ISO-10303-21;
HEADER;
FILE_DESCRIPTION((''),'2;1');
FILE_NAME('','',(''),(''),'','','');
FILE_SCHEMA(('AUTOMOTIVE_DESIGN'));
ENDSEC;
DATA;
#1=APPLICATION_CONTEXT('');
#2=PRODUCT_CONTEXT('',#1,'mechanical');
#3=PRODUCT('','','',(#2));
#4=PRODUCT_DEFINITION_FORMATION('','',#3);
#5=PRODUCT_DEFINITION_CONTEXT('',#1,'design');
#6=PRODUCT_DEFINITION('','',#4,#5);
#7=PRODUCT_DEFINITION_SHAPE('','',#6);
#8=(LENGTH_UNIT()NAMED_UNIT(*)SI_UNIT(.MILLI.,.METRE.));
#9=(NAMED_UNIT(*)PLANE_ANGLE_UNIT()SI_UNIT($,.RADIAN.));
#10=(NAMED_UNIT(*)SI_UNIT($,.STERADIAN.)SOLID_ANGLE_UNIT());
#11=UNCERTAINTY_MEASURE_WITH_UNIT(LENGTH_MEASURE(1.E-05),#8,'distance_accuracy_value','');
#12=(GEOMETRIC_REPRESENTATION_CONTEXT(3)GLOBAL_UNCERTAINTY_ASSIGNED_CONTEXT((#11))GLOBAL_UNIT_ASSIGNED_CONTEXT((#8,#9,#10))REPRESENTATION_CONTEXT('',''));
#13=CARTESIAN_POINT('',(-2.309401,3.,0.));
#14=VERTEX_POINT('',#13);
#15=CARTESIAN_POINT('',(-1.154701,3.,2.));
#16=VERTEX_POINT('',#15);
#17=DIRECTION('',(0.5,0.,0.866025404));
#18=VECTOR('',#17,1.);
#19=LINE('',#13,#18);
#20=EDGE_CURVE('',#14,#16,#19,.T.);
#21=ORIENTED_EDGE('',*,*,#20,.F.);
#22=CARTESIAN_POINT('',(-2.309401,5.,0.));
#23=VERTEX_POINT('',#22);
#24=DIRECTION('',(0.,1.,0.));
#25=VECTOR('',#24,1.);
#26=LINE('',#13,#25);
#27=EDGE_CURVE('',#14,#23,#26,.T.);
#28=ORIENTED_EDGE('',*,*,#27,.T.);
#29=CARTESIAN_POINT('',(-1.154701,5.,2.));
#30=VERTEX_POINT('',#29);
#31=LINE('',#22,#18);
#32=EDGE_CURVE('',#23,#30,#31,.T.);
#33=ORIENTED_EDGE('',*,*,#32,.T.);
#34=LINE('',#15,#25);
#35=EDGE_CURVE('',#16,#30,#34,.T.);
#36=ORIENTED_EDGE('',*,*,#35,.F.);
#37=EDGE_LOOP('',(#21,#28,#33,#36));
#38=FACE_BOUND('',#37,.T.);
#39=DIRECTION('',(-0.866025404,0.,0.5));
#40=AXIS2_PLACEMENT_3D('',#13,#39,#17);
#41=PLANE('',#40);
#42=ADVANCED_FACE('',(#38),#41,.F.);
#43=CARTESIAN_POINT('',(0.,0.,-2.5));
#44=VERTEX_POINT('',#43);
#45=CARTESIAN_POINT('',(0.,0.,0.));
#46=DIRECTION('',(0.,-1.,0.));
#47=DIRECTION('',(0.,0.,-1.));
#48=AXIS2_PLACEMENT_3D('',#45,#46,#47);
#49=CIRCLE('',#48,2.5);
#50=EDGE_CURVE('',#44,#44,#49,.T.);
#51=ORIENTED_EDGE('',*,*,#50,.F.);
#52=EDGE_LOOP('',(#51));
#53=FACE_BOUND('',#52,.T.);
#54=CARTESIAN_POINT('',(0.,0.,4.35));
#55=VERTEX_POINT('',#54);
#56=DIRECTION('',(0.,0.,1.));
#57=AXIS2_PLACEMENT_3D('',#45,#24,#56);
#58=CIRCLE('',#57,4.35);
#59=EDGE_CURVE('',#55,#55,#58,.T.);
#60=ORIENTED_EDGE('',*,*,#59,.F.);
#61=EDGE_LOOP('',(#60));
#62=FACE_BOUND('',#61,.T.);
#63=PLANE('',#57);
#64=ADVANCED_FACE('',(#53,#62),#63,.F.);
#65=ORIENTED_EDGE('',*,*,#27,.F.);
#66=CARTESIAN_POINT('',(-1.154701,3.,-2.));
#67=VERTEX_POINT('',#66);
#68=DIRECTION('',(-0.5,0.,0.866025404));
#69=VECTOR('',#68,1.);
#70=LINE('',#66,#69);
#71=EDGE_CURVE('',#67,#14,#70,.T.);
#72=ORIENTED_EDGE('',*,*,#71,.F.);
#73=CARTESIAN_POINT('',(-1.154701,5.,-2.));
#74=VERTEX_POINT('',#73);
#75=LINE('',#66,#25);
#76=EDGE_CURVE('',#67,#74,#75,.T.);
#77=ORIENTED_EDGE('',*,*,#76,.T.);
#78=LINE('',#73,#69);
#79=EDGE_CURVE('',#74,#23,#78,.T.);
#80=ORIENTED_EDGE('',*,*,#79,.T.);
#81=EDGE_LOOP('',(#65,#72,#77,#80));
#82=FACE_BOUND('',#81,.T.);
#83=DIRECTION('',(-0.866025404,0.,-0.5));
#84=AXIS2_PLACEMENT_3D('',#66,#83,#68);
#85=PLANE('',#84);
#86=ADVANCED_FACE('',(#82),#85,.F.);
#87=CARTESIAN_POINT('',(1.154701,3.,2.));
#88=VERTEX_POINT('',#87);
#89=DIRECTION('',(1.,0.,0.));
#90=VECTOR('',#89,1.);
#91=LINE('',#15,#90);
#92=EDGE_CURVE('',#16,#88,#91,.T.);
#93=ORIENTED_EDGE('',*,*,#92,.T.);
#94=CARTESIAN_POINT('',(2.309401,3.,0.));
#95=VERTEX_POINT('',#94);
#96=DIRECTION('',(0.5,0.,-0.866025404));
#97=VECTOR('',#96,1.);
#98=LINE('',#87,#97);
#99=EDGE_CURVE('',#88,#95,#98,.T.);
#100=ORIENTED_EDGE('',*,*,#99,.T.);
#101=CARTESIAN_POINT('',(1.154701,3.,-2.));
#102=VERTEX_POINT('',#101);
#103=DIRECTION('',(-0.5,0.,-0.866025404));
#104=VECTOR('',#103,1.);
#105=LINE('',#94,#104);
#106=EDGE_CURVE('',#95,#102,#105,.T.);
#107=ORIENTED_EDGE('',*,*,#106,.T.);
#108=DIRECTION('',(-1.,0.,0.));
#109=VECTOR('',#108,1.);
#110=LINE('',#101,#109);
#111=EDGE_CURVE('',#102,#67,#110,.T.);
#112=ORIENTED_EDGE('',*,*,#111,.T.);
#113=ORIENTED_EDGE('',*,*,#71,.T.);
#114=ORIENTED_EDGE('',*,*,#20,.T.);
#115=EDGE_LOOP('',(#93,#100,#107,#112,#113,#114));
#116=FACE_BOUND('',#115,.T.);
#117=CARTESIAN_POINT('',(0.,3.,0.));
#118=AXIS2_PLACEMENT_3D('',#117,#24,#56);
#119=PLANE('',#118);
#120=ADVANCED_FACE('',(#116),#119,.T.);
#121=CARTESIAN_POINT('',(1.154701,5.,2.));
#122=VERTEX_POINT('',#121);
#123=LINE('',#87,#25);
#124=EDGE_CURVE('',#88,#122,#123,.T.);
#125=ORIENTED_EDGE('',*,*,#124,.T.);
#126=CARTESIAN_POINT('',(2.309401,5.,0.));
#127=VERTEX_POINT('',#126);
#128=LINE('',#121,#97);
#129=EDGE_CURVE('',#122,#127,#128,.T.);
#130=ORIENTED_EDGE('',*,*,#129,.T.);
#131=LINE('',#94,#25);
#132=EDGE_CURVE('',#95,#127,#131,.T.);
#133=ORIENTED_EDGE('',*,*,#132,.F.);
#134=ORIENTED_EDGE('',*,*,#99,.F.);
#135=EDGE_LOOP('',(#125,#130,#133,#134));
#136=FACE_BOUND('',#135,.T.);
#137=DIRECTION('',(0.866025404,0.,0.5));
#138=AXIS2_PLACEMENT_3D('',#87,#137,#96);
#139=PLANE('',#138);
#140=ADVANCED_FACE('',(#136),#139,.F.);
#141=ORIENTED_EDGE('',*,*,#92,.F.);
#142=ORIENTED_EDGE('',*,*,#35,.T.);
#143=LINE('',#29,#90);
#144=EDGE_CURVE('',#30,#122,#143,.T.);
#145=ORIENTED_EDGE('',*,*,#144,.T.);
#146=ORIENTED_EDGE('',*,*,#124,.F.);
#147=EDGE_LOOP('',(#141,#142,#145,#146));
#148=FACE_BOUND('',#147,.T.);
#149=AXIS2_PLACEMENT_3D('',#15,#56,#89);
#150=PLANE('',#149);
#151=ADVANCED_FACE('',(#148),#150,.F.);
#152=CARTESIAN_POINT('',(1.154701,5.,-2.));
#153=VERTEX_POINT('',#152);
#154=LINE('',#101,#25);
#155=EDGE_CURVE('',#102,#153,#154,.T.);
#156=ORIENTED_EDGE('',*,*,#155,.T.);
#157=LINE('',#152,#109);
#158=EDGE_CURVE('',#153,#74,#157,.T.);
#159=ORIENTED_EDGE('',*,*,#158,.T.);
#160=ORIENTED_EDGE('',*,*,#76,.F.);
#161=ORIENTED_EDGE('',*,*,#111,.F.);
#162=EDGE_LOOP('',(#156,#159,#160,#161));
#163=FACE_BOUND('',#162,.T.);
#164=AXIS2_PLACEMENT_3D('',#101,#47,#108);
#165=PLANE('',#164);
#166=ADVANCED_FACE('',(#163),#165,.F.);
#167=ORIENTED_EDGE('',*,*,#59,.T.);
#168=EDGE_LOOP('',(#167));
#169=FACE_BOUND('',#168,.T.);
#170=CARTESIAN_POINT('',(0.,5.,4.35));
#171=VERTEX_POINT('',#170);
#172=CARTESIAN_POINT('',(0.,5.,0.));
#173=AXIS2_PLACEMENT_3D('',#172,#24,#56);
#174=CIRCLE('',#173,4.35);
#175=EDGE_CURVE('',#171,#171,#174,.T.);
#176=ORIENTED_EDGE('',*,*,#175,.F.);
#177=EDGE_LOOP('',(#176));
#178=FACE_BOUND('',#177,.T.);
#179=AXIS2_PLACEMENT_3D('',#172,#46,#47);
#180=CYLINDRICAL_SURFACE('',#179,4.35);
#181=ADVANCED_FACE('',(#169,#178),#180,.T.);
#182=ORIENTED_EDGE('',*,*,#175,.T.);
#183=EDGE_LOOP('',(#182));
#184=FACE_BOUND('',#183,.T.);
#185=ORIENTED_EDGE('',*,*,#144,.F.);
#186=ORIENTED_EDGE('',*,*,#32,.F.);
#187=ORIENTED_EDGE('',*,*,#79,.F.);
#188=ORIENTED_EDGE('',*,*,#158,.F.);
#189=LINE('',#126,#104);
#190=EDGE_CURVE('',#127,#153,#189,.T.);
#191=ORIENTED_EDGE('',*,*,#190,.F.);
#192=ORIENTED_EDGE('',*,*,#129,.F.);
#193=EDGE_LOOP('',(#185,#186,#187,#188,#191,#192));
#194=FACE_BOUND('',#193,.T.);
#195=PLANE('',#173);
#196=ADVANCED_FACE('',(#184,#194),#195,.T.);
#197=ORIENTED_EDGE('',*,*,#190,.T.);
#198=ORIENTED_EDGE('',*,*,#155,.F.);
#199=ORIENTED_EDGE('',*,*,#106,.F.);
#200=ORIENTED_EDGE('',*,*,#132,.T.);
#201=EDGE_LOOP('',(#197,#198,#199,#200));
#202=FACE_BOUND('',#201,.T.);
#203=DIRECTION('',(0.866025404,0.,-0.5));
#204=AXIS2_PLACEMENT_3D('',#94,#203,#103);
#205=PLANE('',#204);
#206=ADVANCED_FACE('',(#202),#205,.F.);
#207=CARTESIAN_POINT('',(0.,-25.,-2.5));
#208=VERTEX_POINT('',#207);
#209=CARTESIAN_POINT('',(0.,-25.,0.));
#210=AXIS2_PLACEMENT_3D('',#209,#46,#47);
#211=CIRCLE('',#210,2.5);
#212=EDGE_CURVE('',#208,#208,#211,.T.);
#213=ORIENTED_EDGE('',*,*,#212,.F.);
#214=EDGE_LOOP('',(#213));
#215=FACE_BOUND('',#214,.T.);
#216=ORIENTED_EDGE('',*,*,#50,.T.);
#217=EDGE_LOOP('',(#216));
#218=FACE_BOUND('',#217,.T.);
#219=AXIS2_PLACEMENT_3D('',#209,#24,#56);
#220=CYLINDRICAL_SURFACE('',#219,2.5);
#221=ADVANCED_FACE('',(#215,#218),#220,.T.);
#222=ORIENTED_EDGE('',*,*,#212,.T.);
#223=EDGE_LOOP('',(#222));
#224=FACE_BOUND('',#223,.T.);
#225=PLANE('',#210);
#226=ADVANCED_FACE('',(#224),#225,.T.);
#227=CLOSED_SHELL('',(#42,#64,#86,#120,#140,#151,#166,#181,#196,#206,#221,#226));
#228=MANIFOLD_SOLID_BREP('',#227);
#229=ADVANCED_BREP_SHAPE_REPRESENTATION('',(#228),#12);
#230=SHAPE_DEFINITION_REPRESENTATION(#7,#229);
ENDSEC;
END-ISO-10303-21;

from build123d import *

# Parameters (mm, degrees)
SKETCH_1_R          = 4.35
EXTRUDE_1_DEPTH     = 5
CUT_EXTRUDE_1_DEPTH = 2
SKETCH_3_R          = 2.5
EXTRUDE_2_DEPTH     = 25


with BuildPart() as part:
    # 草图1 → 凸台-拉伸1 (new body)
    with BuildSketch(Plane(origin=(0, 0, 0), x_dir=(1, 0, 0), z_dir=(0, 1, 0))):
        Circle(SKETCH_1_R)
    extrude(amount=EXTRUDE_1_DEPTH)

    # 草图2 → 切除-拉伸1 (cut)
    with BuildSketch(Plane(origin=(0, 5, 0), x_dir=(1, 0, 0), z_dir=(0, 1, 0))):
        Polygon((2.309401077, 0), (1.154700538, 2), (-1.154700538, 2), (-2.309401077, 0), (-1.154700538, -2), (1.154700538, -2), align=None)
    extrude(amount=-CUT_EXTRUDE_1_DEPTH, mode=Mode.SUBTRACT)

    # 草图3 → 凸台-拉伸2 (add)
    with BuildSketch(Plane.XZ):
        Circle(SKETCH_3_R)
    extrude(amount=EXTRUDE_2_DEPTH)


solid = part.part
